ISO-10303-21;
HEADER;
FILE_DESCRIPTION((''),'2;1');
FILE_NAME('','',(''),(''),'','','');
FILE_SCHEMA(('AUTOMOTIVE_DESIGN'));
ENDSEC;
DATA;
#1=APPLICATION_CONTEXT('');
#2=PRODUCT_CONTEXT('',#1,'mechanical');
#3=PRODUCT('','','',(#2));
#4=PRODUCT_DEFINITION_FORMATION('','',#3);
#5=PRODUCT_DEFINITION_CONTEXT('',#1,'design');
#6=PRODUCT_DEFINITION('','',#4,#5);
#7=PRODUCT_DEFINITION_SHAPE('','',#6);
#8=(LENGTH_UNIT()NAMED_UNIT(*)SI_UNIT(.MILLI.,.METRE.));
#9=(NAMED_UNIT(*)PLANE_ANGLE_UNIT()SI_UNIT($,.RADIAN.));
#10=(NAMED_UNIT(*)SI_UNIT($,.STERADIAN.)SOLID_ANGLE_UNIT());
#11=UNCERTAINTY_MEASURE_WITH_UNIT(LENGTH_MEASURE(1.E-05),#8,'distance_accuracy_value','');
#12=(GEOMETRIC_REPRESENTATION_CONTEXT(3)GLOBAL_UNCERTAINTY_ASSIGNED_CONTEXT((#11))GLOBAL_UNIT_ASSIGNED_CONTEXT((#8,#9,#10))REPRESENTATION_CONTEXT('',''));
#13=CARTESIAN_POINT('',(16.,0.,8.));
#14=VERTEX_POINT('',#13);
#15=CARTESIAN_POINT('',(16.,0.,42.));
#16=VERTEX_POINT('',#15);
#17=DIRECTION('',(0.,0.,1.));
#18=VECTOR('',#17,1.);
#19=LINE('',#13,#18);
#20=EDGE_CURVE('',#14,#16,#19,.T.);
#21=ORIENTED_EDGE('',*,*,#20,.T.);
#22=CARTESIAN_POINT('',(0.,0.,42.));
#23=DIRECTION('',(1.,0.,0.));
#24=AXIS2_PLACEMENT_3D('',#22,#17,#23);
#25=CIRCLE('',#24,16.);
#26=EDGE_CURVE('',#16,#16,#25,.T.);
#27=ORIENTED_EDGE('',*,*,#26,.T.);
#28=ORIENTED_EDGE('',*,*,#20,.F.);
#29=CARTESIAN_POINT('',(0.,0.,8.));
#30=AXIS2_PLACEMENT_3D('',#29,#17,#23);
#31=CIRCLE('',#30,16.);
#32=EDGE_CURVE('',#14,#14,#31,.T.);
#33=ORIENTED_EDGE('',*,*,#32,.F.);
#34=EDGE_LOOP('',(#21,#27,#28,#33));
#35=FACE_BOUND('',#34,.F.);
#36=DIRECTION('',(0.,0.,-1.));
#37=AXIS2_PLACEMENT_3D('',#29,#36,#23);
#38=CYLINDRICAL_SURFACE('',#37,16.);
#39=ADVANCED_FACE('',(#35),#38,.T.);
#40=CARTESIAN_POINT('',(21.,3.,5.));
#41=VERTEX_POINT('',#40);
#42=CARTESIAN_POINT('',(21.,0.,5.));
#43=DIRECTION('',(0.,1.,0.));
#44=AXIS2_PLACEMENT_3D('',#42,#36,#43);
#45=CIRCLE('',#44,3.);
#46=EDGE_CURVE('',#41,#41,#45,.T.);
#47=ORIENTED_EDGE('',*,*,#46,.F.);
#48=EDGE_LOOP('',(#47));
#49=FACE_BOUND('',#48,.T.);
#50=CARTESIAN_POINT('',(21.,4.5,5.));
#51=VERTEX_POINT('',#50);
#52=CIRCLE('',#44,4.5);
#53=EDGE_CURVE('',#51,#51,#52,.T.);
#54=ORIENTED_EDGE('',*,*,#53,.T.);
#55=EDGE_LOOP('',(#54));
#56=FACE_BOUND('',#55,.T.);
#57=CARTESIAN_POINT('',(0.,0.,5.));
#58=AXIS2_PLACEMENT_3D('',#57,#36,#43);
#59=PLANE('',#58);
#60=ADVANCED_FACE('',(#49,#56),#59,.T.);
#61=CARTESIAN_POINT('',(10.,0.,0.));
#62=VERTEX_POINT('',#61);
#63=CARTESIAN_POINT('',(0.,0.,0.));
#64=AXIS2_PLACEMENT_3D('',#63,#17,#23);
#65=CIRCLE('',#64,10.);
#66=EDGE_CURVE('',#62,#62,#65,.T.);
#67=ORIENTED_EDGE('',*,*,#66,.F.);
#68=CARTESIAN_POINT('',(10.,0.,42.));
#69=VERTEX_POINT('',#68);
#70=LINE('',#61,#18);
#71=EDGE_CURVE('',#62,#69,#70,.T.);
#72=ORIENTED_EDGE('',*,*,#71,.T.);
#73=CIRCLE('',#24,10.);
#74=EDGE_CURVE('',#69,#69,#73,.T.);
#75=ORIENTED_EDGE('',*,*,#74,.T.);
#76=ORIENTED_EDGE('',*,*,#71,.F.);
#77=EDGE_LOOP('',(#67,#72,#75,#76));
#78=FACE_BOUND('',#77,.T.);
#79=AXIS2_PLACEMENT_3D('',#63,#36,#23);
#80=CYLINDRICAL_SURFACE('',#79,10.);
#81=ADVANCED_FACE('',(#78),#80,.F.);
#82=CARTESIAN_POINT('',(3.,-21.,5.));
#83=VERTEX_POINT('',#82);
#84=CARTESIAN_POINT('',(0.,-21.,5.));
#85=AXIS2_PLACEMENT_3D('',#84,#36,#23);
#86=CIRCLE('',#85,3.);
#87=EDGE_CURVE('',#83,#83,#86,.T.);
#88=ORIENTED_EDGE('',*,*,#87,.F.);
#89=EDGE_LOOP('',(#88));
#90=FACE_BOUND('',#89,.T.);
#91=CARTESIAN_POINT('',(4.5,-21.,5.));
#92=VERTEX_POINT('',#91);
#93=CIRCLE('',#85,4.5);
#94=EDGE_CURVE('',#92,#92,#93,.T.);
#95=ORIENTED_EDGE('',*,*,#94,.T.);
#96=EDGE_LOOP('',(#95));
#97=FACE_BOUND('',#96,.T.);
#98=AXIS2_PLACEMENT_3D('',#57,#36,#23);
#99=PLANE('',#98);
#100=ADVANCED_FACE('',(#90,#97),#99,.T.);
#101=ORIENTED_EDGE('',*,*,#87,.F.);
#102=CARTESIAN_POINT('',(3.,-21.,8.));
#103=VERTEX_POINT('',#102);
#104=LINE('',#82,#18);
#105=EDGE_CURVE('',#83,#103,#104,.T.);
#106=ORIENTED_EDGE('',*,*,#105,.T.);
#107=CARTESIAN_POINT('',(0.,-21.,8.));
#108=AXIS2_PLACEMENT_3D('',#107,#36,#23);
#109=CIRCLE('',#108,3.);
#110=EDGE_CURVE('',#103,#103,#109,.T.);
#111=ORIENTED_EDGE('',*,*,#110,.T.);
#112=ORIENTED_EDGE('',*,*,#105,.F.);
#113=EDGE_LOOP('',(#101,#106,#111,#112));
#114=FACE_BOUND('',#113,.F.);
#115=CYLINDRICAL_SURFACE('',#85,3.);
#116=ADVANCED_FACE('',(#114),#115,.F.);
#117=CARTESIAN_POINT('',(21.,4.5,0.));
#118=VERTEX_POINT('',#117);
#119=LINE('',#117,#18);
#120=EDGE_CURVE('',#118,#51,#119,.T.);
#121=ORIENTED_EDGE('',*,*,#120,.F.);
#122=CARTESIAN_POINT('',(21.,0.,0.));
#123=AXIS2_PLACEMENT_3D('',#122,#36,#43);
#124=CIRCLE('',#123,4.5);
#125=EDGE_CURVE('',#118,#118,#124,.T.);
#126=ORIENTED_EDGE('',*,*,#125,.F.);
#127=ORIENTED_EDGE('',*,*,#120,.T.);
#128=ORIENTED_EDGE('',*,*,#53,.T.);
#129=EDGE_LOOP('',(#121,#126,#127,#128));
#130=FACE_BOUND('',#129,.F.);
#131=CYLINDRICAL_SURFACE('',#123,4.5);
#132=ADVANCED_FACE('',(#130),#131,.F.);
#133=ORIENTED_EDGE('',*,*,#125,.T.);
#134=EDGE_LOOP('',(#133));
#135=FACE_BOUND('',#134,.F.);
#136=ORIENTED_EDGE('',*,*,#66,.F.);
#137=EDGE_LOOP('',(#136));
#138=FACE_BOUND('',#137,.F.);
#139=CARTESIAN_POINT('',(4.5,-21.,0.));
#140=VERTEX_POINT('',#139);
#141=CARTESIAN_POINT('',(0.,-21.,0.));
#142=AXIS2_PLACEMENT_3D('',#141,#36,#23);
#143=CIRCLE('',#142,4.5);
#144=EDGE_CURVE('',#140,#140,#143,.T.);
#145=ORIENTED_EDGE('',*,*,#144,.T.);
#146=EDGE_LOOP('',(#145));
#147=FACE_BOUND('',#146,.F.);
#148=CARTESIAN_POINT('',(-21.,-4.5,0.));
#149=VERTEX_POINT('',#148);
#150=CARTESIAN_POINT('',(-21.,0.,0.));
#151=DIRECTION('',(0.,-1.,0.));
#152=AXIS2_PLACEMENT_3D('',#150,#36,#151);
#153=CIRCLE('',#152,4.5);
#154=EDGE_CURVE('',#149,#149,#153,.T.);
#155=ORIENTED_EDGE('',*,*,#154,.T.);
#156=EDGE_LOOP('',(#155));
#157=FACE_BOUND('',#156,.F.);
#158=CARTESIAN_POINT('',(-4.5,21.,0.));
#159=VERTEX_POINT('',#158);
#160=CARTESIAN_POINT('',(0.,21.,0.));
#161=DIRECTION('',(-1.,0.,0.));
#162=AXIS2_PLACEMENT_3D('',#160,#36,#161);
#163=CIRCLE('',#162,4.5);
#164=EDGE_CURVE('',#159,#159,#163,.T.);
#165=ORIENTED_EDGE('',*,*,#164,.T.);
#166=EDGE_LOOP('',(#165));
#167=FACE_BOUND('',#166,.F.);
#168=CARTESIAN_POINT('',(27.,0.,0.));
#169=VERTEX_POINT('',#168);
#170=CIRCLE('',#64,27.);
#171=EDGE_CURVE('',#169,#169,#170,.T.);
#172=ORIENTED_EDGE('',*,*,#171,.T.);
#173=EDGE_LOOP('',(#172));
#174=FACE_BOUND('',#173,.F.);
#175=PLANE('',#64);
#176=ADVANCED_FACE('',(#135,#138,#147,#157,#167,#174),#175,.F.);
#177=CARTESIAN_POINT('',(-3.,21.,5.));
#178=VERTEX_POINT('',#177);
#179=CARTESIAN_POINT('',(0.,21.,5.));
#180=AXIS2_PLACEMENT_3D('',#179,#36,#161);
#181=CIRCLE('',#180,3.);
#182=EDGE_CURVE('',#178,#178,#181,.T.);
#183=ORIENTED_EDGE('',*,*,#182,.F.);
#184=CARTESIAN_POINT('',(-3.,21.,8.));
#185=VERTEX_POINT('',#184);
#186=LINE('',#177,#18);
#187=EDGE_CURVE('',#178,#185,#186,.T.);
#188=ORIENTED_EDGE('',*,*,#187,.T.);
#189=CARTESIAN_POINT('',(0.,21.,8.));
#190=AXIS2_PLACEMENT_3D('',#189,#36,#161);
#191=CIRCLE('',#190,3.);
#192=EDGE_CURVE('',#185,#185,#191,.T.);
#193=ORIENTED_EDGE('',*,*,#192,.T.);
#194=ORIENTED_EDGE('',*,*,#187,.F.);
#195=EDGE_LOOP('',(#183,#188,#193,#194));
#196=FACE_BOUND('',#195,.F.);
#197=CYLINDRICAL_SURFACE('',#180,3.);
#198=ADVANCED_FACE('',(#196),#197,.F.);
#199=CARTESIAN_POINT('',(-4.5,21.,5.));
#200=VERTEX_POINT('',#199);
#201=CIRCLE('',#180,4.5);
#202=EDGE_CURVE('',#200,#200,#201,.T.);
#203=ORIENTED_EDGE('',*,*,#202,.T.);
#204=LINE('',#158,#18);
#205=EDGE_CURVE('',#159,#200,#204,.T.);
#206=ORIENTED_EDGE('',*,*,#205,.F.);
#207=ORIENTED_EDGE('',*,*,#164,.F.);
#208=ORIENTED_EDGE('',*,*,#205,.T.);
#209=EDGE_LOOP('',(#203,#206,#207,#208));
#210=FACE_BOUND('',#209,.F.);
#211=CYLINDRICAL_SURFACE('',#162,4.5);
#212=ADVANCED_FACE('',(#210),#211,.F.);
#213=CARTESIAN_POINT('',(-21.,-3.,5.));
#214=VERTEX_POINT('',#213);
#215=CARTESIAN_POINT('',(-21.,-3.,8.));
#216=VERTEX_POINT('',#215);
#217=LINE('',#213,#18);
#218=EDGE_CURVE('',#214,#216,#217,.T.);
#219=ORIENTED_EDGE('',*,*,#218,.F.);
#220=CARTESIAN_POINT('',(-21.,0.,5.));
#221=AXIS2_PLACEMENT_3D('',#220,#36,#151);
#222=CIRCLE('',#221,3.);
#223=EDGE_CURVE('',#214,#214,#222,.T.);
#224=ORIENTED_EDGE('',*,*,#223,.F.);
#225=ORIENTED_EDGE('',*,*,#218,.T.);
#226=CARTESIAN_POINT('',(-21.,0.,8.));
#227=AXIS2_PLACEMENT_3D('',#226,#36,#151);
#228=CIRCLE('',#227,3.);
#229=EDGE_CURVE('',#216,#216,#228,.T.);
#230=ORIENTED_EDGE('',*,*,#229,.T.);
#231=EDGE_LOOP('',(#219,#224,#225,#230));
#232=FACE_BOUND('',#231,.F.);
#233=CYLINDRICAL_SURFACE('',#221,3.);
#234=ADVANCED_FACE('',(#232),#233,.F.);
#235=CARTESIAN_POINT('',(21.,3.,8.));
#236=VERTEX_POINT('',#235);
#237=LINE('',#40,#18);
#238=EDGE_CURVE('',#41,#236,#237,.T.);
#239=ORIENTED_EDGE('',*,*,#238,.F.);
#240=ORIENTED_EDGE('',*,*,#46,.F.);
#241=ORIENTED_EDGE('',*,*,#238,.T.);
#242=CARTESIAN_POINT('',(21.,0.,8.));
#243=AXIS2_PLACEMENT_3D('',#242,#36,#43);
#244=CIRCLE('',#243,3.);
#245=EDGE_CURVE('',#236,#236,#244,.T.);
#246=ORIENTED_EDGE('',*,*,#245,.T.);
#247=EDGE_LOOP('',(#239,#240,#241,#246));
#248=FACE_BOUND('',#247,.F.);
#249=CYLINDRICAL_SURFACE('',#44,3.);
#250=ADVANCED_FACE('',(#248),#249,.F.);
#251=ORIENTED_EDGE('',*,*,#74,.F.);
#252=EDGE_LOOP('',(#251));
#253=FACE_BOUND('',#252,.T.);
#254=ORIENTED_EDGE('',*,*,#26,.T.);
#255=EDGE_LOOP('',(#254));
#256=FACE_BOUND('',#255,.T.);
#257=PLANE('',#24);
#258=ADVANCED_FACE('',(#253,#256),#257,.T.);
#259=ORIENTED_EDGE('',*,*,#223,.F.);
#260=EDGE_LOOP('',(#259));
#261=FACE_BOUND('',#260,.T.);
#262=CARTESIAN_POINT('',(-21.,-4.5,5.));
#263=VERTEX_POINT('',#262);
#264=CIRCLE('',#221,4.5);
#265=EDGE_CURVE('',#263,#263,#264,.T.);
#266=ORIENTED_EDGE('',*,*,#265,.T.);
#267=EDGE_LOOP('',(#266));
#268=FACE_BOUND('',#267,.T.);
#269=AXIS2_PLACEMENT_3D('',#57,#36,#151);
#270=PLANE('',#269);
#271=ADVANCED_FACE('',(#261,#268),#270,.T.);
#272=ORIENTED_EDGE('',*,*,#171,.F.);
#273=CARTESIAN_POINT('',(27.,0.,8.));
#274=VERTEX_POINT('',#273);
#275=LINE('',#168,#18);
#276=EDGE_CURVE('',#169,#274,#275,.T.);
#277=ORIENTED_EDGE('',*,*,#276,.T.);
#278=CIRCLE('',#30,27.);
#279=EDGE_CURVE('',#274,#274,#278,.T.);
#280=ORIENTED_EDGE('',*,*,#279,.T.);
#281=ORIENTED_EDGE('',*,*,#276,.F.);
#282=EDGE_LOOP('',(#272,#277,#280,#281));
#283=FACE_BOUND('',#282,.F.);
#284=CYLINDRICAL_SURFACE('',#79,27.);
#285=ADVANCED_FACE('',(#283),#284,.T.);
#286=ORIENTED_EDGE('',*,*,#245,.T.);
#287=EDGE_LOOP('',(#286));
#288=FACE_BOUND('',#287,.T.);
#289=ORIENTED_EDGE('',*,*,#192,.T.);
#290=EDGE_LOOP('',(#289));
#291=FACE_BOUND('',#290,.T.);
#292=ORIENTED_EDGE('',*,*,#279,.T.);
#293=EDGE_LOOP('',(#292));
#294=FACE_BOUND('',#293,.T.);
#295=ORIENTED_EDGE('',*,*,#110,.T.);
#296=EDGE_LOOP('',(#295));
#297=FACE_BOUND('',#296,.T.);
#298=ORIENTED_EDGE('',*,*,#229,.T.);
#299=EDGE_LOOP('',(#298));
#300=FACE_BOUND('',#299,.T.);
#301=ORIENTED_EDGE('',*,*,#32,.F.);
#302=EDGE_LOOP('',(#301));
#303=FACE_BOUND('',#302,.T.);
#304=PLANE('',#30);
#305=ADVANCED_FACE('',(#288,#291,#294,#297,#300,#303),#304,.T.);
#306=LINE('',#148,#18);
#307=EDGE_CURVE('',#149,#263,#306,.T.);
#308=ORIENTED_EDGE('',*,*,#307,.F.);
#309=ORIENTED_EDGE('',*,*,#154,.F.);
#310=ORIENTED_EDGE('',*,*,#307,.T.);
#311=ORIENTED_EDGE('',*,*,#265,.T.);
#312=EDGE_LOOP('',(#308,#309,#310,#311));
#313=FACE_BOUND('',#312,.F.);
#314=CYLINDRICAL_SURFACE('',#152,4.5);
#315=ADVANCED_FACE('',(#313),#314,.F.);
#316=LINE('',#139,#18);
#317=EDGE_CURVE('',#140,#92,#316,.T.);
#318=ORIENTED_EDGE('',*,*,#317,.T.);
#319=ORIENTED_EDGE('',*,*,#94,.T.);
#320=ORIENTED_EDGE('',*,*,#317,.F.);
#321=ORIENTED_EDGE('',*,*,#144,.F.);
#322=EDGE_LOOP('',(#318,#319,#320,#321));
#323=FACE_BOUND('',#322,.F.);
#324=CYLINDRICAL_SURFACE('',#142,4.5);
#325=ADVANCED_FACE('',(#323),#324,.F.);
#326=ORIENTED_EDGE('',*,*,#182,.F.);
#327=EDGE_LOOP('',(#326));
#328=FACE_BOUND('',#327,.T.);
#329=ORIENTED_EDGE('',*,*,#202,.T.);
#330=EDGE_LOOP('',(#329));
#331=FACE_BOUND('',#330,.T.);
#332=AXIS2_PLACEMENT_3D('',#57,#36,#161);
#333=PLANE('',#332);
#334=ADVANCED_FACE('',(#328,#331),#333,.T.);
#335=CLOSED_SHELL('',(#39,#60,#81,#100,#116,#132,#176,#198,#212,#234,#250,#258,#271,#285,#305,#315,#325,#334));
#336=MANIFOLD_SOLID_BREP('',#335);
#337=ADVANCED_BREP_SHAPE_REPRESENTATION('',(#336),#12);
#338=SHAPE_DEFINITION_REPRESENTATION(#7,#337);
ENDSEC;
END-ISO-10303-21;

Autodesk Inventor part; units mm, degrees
ref_plane "YZ Plane" through (0, 0, 0) normal (1, 0, 0) x (0, 1, 0)
ref_plane "XZ Plane" through (0, 0, 0) normal (0, 1, 0) x (-1, 0, 0)
ref_plane "XY Plane" through (0, 0, 0) normal (0, 0, 1) x (1, 0, 0)
sketch "Sketch1" plane through (0, 0, 0) normal (0, 0, 1) x (1, 0, 0)
  circle A0 centre (0, 0) radius 27
  circle A1 centre (0, 0) radius 10
  dimension "d0" = 54
  dimension "d1" = 20
extrude "Extrusion1" add sketch "Sketch1" along normal blind 8
sketch "Sketch2" plane through (0, 0, 8) normal (0, 0, 1) x (1, 0, 0)
  circle A0 centre (0, 0) radius 10 projected
  circle A1 centre (0, 0) radius 16
  dimension "d4" = 32
extrude "Extrusion2" add sketch "Sketch2" along normal blind 34
sketch "Sketch3" plane through (0, 0, 0) normal (0, 0, -1) x (-1, 0, 0)
  circle A0 centre (0, 0) radius 21 construction
  circle A1 centre (0, 21) radius 4.5
  dimension "d7" = 42
  dimension "d8" = 9
extrude "Extrusion3" cut sketch "Sketch3" against normal blind 5
sketch "Sketch4" plane through (0, 21, 5) normal (0, 0, -1) x (-1, 0, 0)
  circle A0 centre (0, 0) radius 4.5 projected
  circle A1 centre (0, 0) radius 3
  point P0 (0, -21)
  dimension "d11" = 6
extrude "Extrusion4" cut sketch "Sketch4" against normal through all contours A1
pattern_circular "Circular Pattern1" count 4 over 360 about axis through (0, 0, 0) along (0, 0, 1) of "Extrusion4", "Extrusion3"
properties part number "LMF20UU" material "Aluminum 6061"
